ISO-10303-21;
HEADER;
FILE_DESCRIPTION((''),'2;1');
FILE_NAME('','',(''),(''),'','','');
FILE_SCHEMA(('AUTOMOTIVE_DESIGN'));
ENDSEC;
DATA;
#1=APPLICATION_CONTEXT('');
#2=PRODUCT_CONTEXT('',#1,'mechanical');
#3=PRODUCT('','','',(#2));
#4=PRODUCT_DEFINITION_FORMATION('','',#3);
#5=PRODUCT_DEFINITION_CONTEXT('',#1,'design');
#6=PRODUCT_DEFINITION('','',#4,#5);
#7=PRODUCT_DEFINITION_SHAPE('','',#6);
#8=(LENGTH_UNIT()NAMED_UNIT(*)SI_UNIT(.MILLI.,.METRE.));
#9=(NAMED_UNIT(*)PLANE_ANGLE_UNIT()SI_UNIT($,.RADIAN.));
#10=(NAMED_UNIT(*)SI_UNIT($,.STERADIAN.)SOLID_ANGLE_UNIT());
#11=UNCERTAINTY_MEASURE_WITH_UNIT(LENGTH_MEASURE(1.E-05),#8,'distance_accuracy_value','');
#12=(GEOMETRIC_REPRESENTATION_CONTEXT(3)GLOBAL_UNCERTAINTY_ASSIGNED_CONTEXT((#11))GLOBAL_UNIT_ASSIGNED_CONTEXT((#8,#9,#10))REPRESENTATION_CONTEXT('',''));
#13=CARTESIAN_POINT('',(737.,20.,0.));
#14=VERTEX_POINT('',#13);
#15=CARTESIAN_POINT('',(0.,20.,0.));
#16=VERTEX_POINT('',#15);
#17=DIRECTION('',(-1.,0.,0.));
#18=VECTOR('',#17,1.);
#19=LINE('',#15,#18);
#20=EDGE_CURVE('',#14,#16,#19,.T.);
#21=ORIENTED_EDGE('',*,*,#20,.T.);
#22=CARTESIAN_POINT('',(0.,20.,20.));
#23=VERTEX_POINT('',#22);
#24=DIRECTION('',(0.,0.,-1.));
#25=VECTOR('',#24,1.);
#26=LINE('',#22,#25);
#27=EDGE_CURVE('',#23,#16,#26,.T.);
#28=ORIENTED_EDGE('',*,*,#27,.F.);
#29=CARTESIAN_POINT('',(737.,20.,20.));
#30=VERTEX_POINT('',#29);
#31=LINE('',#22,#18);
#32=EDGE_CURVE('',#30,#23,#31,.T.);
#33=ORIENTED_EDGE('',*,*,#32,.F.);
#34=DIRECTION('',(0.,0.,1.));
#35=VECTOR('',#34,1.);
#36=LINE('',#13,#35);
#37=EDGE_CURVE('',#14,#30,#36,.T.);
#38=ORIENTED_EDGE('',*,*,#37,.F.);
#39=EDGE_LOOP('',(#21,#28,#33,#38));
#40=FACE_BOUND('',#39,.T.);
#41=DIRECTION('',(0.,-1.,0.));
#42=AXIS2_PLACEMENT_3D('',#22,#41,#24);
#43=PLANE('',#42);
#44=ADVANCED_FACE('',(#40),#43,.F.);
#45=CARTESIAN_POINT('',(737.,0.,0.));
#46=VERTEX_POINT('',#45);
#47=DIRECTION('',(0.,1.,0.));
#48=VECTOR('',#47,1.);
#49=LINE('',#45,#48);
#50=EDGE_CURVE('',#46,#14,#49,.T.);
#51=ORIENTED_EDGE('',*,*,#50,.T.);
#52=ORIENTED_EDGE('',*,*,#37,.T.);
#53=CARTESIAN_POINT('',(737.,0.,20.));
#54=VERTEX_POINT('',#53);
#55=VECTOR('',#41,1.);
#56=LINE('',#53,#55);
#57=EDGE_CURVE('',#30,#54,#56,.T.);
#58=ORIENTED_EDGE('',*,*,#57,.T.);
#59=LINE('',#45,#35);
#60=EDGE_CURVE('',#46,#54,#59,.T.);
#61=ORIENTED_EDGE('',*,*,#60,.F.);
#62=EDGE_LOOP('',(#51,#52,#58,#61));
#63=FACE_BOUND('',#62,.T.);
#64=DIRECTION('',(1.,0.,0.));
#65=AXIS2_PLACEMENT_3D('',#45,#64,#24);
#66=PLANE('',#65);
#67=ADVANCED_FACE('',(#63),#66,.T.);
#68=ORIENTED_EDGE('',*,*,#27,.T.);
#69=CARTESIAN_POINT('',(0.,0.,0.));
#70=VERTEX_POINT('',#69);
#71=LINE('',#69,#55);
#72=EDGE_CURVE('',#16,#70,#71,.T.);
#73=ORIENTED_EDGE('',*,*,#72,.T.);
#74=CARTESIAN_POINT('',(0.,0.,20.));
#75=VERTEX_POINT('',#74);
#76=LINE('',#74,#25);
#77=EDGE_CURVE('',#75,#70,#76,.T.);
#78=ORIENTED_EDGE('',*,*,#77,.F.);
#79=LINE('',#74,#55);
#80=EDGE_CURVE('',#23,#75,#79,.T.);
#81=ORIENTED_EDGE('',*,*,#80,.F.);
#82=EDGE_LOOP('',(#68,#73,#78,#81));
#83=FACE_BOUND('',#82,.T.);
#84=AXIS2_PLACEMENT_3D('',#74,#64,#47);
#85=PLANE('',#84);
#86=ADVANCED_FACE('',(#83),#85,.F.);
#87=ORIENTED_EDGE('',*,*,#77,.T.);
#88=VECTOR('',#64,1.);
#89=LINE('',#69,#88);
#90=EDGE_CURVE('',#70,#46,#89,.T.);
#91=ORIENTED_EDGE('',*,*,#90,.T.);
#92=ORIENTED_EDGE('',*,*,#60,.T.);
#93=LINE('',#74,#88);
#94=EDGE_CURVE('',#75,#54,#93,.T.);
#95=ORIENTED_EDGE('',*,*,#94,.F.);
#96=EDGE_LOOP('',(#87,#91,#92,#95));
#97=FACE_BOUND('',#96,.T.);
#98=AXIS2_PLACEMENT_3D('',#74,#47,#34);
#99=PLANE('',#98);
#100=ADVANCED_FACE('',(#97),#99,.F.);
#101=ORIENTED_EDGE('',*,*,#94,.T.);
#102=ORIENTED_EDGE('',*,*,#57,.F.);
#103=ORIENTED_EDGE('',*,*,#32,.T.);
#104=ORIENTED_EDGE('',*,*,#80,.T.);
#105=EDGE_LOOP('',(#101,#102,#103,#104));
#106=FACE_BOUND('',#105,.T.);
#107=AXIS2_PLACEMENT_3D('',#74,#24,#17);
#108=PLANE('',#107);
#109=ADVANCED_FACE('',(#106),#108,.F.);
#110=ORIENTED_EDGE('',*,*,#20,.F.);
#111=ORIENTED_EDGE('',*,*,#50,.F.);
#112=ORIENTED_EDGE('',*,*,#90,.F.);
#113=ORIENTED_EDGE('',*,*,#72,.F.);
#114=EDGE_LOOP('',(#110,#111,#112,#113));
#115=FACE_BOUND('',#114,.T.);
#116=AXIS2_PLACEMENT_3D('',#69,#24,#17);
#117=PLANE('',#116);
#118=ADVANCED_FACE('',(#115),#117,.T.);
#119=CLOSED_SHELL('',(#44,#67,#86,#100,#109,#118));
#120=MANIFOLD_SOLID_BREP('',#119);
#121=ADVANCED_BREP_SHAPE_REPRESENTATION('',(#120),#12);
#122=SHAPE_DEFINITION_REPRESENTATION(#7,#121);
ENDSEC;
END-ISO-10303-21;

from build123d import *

# Parameters (mm, degrees)
SKETCH1_W               = 740
SKETCH1_H               = 20
BOSS_EXTRUDE1_DEPTH     = 20
CUT_EXTRUDE1_DEPTH      = 741.540343263
CUT_EXTRUDE1_DEPTH_BACK = 741.540343263
SKETCH2_W               = 3
SKETCH2_H               = 20


with BuildPart() as part:
    # Sketch1 → Boss-Extrude1 (new body)
    with BuildSketch(Plane.XY):
        with Locations((370, 10)):
            Rectangle(SKETCH1_W, SKETCH1_H)
    extrude(amount=BOSS_EXTRUDE1_DEPTH)

    # Sketch2 → Cut-Extrude1 (cut, two sides: drawn at the far end of the back side and taken through both)
    with BuildSketch(Plane.XY.offset(20).offset(-CUT_EXTRUDE1_DEPTH_BACK)):
        with Locations((738.5, 10)):
            Rectangle(SKETCH2_W, SKETCH2_H)
    extrude(amount=CUT_EXTRUDE1_DEPTH + CUT_EXTRUDE1_DEPTH_BACK, mode=Mode.SUBTRACT)


solid = part.part
